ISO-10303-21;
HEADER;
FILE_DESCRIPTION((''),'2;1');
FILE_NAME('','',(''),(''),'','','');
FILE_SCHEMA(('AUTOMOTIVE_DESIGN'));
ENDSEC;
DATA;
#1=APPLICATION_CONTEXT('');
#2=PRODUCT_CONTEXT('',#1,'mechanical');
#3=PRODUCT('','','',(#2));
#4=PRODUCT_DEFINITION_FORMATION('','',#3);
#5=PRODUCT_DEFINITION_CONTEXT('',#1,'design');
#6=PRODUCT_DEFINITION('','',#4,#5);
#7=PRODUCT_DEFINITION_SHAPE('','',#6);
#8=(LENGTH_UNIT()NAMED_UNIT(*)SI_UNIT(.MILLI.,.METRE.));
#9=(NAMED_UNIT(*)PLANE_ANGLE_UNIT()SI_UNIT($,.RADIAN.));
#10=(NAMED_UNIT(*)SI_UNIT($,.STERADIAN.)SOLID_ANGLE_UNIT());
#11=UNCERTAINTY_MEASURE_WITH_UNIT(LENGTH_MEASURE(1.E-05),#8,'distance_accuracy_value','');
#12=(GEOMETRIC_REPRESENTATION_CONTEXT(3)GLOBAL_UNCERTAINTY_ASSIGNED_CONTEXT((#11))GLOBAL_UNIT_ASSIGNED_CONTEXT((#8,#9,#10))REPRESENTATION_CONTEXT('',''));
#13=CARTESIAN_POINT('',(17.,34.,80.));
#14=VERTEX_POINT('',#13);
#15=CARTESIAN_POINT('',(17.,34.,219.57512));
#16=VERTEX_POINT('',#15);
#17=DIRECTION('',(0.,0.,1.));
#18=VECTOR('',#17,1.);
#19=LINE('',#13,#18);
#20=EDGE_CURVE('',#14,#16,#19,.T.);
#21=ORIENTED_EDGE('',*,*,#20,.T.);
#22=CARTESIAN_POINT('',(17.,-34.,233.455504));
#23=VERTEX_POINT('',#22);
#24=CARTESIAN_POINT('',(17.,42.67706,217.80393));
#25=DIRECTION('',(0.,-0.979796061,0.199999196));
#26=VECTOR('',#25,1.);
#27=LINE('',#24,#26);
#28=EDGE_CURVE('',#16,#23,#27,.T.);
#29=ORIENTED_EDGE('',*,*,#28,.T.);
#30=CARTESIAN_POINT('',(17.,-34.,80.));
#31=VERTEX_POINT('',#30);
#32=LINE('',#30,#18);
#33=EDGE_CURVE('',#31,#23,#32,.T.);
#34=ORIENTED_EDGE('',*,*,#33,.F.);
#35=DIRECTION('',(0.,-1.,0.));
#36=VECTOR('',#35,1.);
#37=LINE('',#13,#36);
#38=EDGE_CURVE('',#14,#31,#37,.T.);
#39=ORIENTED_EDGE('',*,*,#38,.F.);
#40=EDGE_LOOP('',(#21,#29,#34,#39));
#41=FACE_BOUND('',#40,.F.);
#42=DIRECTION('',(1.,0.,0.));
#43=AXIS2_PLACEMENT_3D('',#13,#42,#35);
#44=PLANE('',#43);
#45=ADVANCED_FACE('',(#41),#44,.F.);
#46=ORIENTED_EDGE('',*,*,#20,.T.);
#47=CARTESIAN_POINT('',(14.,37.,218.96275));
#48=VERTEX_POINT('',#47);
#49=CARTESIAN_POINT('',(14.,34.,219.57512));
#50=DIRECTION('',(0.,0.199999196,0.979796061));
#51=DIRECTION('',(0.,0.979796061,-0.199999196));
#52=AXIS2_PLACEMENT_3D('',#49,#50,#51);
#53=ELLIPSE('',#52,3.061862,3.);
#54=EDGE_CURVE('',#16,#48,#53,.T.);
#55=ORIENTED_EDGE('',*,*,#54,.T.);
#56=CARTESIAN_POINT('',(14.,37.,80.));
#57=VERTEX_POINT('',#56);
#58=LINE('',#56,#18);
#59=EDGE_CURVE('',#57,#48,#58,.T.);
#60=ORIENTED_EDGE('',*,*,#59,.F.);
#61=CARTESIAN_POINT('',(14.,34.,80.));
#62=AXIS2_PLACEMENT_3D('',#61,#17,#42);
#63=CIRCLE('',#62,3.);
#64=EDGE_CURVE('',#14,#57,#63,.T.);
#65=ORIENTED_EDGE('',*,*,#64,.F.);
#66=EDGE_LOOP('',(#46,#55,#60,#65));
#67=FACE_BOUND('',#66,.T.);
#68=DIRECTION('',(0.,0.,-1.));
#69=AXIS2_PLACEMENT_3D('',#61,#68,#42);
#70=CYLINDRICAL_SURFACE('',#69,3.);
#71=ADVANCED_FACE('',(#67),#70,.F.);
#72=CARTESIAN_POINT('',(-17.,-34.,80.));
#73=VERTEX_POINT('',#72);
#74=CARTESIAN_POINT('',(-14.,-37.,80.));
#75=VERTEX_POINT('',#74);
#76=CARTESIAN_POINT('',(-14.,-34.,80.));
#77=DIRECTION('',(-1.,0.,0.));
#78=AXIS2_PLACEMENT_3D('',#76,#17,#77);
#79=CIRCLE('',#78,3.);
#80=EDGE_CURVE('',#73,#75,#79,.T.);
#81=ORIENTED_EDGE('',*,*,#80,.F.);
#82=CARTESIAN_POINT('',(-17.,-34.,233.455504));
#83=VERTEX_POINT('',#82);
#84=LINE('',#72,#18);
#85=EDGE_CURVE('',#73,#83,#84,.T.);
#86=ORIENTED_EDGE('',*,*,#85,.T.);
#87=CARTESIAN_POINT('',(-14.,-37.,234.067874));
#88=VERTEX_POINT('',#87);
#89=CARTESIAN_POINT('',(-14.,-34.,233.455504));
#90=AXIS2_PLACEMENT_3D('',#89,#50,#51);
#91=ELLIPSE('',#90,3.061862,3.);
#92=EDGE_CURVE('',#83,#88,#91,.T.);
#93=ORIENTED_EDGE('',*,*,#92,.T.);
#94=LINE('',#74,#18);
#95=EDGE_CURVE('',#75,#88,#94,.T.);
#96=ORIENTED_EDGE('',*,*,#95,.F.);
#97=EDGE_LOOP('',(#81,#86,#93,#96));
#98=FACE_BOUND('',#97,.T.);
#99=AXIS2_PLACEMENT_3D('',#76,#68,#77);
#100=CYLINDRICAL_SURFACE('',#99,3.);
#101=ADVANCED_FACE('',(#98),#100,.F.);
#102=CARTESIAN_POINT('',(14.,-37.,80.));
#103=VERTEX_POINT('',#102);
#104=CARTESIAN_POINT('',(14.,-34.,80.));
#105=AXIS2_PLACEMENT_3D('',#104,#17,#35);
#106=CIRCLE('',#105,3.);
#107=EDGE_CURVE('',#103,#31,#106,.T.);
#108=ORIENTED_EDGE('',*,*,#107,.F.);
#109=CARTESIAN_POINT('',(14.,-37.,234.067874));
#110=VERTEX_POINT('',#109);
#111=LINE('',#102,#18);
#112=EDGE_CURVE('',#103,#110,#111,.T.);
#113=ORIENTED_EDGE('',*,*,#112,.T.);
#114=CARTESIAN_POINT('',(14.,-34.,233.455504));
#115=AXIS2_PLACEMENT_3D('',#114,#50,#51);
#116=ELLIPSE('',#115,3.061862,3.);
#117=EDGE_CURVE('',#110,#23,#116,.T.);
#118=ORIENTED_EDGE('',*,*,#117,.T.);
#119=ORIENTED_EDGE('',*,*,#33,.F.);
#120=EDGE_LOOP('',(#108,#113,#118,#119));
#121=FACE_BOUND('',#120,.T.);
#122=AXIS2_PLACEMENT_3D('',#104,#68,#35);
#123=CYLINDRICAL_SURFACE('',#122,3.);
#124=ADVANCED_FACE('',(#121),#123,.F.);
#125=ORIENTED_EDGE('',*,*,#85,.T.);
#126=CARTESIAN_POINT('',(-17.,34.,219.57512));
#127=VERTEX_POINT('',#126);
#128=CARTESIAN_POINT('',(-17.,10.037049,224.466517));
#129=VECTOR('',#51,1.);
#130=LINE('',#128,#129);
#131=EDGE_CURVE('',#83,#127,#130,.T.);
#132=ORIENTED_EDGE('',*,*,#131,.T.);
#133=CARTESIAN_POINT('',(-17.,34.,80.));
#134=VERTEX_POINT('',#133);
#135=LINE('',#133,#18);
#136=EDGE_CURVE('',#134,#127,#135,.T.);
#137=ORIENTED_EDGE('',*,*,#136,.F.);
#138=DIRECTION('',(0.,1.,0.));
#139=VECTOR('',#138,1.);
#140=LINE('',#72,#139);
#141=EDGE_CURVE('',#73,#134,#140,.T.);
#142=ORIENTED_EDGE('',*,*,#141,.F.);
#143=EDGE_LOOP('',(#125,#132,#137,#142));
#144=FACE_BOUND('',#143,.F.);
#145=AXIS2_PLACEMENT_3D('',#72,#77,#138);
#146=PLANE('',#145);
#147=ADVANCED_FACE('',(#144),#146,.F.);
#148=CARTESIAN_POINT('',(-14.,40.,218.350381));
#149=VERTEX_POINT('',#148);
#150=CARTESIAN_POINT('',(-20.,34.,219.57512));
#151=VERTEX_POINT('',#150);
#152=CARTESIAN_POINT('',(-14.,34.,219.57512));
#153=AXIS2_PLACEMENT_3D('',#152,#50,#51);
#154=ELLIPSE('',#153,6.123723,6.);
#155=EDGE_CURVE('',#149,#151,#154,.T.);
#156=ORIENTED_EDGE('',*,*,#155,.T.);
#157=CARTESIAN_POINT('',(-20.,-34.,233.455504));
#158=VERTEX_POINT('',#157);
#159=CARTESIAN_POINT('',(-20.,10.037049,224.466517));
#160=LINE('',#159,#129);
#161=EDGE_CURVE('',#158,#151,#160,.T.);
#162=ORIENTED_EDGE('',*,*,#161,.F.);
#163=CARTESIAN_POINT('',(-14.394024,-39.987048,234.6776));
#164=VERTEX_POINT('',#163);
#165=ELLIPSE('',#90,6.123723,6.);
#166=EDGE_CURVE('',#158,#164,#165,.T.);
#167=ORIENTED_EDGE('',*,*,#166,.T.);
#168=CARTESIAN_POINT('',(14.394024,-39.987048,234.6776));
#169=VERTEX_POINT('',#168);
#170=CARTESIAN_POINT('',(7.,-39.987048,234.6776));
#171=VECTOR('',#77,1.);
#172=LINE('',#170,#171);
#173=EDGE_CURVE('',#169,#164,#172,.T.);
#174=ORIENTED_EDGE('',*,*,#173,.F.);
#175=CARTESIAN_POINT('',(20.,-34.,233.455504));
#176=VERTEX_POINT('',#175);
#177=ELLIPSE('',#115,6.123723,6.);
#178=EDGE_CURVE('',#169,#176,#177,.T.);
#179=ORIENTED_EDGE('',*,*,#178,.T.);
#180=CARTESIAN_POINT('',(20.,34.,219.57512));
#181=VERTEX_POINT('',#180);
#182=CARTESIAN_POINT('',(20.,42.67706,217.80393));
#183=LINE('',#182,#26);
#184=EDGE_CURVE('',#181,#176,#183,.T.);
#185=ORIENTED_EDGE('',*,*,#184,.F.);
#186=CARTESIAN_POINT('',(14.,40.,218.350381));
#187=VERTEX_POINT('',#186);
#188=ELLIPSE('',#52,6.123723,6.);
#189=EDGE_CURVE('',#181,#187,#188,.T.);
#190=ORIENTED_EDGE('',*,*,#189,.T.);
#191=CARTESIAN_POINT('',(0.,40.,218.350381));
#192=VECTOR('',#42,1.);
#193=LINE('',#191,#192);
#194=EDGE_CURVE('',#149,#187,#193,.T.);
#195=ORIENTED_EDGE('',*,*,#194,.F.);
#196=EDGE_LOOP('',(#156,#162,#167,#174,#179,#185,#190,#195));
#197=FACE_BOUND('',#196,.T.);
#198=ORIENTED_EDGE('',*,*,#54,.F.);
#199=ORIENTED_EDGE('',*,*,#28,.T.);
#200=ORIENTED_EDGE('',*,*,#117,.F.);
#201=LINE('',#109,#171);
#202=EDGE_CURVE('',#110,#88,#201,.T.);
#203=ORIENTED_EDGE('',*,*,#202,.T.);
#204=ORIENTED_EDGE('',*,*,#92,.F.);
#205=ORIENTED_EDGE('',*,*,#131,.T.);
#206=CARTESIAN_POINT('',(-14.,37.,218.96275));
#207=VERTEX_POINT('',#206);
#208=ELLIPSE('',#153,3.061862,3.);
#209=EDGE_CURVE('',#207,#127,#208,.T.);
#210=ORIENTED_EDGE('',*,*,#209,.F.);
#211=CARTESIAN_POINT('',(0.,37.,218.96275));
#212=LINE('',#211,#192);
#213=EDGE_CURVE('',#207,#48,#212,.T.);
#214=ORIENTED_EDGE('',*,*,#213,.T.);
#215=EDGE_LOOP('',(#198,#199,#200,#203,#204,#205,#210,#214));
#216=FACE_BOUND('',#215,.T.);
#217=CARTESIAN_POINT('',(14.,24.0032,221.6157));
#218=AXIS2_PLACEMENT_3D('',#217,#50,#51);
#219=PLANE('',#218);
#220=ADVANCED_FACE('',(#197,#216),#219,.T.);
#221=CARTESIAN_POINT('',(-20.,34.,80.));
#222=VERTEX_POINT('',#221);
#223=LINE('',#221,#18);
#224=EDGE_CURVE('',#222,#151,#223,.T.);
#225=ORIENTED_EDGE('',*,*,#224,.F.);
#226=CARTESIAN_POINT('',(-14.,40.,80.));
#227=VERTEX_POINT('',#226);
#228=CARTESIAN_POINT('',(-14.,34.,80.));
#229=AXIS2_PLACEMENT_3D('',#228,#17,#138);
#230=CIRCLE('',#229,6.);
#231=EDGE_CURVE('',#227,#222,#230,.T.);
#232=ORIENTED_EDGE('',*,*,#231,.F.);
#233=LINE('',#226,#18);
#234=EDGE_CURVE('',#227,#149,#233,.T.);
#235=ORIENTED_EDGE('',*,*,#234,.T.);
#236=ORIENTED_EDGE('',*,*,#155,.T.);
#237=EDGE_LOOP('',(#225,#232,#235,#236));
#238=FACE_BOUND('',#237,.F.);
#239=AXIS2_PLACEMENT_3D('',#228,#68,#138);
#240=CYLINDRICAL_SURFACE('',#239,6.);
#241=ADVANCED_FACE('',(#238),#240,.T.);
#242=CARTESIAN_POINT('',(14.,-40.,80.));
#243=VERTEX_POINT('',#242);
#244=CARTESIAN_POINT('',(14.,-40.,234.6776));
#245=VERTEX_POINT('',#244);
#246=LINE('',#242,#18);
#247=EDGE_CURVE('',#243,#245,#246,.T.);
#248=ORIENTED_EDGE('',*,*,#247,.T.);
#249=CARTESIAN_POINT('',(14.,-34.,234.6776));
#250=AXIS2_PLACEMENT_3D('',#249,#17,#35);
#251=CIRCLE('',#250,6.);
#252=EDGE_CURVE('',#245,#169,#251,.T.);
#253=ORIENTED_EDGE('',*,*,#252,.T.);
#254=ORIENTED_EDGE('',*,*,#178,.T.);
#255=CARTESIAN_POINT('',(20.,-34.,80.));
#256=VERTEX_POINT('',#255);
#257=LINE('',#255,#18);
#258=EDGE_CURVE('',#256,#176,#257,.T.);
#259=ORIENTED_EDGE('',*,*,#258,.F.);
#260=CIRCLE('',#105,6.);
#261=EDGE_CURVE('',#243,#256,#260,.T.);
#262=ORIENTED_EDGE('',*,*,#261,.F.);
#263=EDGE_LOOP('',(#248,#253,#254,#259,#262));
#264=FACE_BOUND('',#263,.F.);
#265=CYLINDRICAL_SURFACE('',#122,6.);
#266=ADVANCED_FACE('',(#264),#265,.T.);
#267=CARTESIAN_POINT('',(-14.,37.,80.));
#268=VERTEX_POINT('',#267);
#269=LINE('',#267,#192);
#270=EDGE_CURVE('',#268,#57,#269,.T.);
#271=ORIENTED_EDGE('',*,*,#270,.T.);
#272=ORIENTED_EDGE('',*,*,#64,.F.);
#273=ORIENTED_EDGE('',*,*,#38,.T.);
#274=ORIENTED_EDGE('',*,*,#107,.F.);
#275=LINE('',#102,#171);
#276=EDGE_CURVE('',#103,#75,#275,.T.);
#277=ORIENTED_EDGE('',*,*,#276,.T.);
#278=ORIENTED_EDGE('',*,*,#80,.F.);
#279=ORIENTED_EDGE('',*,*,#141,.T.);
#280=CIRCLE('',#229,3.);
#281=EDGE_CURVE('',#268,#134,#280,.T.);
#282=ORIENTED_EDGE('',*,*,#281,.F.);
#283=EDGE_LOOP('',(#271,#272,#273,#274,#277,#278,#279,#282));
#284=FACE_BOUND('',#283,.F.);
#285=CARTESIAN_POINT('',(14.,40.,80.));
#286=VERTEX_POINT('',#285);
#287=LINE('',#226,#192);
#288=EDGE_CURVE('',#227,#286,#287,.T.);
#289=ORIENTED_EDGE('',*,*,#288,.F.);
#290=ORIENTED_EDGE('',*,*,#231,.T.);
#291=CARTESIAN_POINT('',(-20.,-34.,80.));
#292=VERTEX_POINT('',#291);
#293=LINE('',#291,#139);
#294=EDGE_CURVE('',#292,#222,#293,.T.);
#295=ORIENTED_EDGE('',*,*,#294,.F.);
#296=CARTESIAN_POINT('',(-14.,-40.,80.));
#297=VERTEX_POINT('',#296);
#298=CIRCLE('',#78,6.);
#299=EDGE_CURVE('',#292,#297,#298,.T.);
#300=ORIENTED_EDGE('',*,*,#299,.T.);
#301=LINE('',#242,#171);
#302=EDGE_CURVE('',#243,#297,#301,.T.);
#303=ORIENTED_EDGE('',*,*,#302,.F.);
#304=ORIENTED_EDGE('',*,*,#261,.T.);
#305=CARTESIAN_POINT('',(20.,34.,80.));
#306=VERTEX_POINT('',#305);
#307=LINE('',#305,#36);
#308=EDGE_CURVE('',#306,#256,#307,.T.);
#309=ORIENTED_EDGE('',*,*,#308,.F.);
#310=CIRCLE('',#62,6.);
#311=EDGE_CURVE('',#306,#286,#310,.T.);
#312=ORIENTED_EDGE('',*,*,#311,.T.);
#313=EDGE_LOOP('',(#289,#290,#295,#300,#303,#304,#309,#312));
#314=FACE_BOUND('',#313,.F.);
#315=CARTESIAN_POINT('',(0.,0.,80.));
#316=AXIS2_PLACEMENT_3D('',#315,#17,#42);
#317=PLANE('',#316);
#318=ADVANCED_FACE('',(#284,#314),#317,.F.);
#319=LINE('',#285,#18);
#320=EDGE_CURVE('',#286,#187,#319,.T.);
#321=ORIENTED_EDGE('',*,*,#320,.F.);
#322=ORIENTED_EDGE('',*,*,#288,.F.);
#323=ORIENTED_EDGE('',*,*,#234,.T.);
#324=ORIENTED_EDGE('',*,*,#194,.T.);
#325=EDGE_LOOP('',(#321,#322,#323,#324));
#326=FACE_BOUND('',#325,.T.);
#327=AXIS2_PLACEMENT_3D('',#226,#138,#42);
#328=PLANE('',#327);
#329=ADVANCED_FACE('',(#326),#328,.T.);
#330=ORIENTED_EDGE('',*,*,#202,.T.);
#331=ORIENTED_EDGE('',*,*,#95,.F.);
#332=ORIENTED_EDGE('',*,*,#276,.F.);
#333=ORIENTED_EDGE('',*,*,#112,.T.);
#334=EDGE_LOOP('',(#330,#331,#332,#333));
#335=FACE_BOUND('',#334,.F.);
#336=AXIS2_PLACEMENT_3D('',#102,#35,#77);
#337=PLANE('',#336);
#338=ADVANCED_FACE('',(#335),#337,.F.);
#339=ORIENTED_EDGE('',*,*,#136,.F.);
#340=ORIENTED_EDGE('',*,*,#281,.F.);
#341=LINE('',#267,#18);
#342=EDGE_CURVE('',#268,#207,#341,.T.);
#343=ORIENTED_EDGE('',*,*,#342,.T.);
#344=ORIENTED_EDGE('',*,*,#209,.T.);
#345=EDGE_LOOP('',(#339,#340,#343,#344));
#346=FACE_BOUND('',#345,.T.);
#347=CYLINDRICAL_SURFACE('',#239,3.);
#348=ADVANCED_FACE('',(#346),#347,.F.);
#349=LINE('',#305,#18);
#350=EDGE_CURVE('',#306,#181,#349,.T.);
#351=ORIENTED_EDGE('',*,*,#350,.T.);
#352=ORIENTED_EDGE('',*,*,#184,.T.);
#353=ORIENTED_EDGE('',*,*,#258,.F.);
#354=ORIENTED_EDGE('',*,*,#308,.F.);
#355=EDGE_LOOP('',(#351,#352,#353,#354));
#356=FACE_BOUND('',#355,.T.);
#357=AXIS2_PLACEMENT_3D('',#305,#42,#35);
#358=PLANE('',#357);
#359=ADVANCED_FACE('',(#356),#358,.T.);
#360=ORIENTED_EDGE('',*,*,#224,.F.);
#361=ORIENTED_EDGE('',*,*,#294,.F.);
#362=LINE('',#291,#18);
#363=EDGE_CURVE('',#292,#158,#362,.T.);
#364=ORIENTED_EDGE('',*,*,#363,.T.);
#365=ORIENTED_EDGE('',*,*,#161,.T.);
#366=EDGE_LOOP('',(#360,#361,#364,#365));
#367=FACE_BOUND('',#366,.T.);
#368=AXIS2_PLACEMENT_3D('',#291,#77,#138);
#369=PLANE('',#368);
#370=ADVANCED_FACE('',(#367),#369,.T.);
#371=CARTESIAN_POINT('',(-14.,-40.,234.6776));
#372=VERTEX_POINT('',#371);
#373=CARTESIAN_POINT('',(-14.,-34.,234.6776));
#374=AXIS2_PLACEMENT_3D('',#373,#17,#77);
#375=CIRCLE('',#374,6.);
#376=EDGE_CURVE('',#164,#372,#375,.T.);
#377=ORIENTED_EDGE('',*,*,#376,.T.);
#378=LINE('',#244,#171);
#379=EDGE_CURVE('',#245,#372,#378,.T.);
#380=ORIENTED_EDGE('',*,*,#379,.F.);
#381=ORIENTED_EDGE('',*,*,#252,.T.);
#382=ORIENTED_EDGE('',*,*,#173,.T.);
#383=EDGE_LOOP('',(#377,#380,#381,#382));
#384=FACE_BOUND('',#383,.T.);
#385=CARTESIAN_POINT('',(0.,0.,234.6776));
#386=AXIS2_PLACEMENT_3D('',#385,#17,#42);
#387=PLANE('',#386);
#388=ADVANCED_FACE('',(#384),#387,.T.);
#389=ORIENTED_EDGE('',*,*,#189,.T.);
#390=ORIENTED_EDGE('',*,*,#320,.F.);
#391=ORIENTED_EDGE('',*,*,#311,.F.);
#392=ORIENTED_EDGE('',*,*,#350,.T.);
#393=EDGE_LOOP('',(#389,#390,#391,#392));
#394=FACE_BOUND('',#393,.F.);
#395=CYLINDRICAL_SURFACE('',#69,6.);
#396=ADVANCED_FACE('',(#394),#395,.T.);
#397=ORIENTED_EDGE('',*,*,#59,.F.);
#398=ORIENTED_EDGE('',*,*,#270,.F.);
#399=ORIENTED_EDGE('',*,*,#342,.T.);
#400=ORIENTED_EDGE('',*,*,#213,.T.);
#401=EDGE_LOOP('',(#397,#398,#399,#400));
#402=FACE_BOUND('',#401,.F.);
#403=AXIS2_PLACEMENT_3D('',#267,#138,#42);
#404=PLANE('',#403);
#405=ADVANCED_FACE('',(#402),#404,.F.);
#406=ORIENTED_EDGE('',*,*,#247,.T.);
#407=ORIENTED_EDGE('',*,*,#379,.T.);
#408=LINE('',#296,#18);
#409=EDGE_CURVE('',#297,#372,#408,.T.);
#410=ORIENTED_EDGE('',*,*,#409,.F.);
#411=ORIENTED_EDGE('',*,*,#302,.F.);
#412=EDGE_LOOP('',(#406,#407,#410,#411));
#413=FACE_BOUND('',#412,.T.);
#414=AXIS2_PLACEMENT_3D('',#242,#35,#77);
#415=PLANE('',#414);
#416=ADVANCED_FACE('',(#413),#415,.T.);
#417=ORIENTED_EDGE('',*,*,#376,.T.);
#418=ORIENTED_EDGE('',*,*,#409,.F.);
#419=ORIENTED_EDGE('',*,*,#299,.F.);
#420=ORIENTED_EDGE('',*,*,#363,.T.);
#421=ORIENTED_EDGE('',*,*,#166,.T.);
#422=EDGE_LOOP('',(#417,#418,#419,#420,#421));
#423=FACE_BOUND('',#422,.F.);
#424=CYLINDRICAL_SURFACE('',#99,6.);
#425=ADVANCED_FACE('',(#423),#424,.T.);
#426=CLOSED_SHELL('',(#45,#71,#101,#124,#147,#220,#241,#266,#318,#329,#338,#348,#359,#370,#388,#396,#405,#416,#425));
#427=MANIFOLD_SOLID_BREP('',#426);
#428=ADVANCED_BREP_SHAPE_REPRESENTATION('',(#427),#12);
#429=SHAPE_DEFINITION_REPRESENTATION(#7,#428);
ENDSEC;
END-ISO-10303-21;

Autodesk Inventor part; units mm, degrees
ref_plane "Start Plane" through (0, 0, 80) normal (0, 0, 1) x (1, 0, 0)
ref_plane "End Plane" through (0, 0, 234.6776) normal (0, 0, 1) x (1, 0, 0)
sketch "Sketch" plane through (0, 0, 0) normal (0, 0, 1) x (1, 0, 0)
  line L0 (-20, -34) -> (-20, 34)
  line L1 (-14, 40) -> (14, 40)
  line L2 (20, 34) -> (20, -34)
  line L3 (14, -40) -> (-14, -40)
  arc A0 (-20, -34) -> (-14, -40) centre (-14, -34) ccw
  arc A1 (20, 34) -> (14, 40) centre (14, 34) ccw
  arc A2 (-14, 40) -> (-20, 34) centre (-14, 34) ccw
  arc A3 (14, -40) -> (20, -34) centre (14, -34) ccw
  arc A4 (-14, 37) -> (-17, 34) centre (-14, 34) ccw
  line L4 (-14, 37) -> (14, 37)
  arc A5 (17, 34) -> (14, 37) centre (14, 34) ccw
  line L5 (17, 34) -> (17, -34)
  arc A6 (14, -37) -> (17, -34) centre (14, -34) ccw
  line L6 (14, -37) -> (-14, -37)
  arc A7 (-17, -34) -> (-14, -37) centre (-14, -34) ccw
  line L7 (-17, -34) -> (-17, 34)
  line L8 (0, 57.7397) -> (0, -57.7397) construction
  line L9 (-29.7397, 0) -> (29.7397, 0) construction
  dimension "d7" = 6
  dimension "d9" = 40
  dimension "d11" = 80
  dimension "d12" = 3
  dimension "d15" = 20
  dimension "d16" = 40
extrude "Body" add sketch "Sketch" along normal up to surface (154.6776 mm away) from surface at 80
sketch "Sketch3" plane through (0, 0, 0) normal (0, 0, 1) x (1, 0, 0)
  line L0 (0, 0) -> (10, 0)
ref_plane "Work Plane3" through (0, 0, 0) normal (0, -1, 0) x (1, 0, 0)
ref_plane "Work Plane4" through (14, 24.0032, 221.6157) normal (0, 0.2, 0.9798) x (1, 0, 0)
split "Split1" plane through (14, 24.0032, 221.6157) removes the side toward (0, 0.2, 0.9798)
sketch "Sketch4" plane through (0, 0, 0) normal (0, -1, 0) x (1, 0, 0)
  line L0 (-2, 80) -> (12, 80) projected
  line L1 (-2, 234.6776) -> (12, 234.6776) projected
  dimension "d18" = 154.6775
equation "\"d7\" = G_IR"
equation "\"d9\" = G_W"
equation "\"d11\" = G_H"
equation "\"d12\" = G_T"
equation "\"d15\" = 0.5 * d9"
equation "\"d16\" = 0.5 * d11"
equation "\"d3\" = G_L"
equation "\"G_W\" = 40"
equation "\"G_H\" = 80"
equation "\"G_T\" = 3"
equation "\"G_IR\" = 6"
equation "\"G_L\" = d18"
equation "\"G_OFFSET_END\" = -65.32245"
equation "\"d14\" = G_OFFSET_END + B_L"
equation "\"B_L\" = 300"
properties part number "ISO 10799-2 - 80x40x3 - 154,68" material "Steel, Mild"
